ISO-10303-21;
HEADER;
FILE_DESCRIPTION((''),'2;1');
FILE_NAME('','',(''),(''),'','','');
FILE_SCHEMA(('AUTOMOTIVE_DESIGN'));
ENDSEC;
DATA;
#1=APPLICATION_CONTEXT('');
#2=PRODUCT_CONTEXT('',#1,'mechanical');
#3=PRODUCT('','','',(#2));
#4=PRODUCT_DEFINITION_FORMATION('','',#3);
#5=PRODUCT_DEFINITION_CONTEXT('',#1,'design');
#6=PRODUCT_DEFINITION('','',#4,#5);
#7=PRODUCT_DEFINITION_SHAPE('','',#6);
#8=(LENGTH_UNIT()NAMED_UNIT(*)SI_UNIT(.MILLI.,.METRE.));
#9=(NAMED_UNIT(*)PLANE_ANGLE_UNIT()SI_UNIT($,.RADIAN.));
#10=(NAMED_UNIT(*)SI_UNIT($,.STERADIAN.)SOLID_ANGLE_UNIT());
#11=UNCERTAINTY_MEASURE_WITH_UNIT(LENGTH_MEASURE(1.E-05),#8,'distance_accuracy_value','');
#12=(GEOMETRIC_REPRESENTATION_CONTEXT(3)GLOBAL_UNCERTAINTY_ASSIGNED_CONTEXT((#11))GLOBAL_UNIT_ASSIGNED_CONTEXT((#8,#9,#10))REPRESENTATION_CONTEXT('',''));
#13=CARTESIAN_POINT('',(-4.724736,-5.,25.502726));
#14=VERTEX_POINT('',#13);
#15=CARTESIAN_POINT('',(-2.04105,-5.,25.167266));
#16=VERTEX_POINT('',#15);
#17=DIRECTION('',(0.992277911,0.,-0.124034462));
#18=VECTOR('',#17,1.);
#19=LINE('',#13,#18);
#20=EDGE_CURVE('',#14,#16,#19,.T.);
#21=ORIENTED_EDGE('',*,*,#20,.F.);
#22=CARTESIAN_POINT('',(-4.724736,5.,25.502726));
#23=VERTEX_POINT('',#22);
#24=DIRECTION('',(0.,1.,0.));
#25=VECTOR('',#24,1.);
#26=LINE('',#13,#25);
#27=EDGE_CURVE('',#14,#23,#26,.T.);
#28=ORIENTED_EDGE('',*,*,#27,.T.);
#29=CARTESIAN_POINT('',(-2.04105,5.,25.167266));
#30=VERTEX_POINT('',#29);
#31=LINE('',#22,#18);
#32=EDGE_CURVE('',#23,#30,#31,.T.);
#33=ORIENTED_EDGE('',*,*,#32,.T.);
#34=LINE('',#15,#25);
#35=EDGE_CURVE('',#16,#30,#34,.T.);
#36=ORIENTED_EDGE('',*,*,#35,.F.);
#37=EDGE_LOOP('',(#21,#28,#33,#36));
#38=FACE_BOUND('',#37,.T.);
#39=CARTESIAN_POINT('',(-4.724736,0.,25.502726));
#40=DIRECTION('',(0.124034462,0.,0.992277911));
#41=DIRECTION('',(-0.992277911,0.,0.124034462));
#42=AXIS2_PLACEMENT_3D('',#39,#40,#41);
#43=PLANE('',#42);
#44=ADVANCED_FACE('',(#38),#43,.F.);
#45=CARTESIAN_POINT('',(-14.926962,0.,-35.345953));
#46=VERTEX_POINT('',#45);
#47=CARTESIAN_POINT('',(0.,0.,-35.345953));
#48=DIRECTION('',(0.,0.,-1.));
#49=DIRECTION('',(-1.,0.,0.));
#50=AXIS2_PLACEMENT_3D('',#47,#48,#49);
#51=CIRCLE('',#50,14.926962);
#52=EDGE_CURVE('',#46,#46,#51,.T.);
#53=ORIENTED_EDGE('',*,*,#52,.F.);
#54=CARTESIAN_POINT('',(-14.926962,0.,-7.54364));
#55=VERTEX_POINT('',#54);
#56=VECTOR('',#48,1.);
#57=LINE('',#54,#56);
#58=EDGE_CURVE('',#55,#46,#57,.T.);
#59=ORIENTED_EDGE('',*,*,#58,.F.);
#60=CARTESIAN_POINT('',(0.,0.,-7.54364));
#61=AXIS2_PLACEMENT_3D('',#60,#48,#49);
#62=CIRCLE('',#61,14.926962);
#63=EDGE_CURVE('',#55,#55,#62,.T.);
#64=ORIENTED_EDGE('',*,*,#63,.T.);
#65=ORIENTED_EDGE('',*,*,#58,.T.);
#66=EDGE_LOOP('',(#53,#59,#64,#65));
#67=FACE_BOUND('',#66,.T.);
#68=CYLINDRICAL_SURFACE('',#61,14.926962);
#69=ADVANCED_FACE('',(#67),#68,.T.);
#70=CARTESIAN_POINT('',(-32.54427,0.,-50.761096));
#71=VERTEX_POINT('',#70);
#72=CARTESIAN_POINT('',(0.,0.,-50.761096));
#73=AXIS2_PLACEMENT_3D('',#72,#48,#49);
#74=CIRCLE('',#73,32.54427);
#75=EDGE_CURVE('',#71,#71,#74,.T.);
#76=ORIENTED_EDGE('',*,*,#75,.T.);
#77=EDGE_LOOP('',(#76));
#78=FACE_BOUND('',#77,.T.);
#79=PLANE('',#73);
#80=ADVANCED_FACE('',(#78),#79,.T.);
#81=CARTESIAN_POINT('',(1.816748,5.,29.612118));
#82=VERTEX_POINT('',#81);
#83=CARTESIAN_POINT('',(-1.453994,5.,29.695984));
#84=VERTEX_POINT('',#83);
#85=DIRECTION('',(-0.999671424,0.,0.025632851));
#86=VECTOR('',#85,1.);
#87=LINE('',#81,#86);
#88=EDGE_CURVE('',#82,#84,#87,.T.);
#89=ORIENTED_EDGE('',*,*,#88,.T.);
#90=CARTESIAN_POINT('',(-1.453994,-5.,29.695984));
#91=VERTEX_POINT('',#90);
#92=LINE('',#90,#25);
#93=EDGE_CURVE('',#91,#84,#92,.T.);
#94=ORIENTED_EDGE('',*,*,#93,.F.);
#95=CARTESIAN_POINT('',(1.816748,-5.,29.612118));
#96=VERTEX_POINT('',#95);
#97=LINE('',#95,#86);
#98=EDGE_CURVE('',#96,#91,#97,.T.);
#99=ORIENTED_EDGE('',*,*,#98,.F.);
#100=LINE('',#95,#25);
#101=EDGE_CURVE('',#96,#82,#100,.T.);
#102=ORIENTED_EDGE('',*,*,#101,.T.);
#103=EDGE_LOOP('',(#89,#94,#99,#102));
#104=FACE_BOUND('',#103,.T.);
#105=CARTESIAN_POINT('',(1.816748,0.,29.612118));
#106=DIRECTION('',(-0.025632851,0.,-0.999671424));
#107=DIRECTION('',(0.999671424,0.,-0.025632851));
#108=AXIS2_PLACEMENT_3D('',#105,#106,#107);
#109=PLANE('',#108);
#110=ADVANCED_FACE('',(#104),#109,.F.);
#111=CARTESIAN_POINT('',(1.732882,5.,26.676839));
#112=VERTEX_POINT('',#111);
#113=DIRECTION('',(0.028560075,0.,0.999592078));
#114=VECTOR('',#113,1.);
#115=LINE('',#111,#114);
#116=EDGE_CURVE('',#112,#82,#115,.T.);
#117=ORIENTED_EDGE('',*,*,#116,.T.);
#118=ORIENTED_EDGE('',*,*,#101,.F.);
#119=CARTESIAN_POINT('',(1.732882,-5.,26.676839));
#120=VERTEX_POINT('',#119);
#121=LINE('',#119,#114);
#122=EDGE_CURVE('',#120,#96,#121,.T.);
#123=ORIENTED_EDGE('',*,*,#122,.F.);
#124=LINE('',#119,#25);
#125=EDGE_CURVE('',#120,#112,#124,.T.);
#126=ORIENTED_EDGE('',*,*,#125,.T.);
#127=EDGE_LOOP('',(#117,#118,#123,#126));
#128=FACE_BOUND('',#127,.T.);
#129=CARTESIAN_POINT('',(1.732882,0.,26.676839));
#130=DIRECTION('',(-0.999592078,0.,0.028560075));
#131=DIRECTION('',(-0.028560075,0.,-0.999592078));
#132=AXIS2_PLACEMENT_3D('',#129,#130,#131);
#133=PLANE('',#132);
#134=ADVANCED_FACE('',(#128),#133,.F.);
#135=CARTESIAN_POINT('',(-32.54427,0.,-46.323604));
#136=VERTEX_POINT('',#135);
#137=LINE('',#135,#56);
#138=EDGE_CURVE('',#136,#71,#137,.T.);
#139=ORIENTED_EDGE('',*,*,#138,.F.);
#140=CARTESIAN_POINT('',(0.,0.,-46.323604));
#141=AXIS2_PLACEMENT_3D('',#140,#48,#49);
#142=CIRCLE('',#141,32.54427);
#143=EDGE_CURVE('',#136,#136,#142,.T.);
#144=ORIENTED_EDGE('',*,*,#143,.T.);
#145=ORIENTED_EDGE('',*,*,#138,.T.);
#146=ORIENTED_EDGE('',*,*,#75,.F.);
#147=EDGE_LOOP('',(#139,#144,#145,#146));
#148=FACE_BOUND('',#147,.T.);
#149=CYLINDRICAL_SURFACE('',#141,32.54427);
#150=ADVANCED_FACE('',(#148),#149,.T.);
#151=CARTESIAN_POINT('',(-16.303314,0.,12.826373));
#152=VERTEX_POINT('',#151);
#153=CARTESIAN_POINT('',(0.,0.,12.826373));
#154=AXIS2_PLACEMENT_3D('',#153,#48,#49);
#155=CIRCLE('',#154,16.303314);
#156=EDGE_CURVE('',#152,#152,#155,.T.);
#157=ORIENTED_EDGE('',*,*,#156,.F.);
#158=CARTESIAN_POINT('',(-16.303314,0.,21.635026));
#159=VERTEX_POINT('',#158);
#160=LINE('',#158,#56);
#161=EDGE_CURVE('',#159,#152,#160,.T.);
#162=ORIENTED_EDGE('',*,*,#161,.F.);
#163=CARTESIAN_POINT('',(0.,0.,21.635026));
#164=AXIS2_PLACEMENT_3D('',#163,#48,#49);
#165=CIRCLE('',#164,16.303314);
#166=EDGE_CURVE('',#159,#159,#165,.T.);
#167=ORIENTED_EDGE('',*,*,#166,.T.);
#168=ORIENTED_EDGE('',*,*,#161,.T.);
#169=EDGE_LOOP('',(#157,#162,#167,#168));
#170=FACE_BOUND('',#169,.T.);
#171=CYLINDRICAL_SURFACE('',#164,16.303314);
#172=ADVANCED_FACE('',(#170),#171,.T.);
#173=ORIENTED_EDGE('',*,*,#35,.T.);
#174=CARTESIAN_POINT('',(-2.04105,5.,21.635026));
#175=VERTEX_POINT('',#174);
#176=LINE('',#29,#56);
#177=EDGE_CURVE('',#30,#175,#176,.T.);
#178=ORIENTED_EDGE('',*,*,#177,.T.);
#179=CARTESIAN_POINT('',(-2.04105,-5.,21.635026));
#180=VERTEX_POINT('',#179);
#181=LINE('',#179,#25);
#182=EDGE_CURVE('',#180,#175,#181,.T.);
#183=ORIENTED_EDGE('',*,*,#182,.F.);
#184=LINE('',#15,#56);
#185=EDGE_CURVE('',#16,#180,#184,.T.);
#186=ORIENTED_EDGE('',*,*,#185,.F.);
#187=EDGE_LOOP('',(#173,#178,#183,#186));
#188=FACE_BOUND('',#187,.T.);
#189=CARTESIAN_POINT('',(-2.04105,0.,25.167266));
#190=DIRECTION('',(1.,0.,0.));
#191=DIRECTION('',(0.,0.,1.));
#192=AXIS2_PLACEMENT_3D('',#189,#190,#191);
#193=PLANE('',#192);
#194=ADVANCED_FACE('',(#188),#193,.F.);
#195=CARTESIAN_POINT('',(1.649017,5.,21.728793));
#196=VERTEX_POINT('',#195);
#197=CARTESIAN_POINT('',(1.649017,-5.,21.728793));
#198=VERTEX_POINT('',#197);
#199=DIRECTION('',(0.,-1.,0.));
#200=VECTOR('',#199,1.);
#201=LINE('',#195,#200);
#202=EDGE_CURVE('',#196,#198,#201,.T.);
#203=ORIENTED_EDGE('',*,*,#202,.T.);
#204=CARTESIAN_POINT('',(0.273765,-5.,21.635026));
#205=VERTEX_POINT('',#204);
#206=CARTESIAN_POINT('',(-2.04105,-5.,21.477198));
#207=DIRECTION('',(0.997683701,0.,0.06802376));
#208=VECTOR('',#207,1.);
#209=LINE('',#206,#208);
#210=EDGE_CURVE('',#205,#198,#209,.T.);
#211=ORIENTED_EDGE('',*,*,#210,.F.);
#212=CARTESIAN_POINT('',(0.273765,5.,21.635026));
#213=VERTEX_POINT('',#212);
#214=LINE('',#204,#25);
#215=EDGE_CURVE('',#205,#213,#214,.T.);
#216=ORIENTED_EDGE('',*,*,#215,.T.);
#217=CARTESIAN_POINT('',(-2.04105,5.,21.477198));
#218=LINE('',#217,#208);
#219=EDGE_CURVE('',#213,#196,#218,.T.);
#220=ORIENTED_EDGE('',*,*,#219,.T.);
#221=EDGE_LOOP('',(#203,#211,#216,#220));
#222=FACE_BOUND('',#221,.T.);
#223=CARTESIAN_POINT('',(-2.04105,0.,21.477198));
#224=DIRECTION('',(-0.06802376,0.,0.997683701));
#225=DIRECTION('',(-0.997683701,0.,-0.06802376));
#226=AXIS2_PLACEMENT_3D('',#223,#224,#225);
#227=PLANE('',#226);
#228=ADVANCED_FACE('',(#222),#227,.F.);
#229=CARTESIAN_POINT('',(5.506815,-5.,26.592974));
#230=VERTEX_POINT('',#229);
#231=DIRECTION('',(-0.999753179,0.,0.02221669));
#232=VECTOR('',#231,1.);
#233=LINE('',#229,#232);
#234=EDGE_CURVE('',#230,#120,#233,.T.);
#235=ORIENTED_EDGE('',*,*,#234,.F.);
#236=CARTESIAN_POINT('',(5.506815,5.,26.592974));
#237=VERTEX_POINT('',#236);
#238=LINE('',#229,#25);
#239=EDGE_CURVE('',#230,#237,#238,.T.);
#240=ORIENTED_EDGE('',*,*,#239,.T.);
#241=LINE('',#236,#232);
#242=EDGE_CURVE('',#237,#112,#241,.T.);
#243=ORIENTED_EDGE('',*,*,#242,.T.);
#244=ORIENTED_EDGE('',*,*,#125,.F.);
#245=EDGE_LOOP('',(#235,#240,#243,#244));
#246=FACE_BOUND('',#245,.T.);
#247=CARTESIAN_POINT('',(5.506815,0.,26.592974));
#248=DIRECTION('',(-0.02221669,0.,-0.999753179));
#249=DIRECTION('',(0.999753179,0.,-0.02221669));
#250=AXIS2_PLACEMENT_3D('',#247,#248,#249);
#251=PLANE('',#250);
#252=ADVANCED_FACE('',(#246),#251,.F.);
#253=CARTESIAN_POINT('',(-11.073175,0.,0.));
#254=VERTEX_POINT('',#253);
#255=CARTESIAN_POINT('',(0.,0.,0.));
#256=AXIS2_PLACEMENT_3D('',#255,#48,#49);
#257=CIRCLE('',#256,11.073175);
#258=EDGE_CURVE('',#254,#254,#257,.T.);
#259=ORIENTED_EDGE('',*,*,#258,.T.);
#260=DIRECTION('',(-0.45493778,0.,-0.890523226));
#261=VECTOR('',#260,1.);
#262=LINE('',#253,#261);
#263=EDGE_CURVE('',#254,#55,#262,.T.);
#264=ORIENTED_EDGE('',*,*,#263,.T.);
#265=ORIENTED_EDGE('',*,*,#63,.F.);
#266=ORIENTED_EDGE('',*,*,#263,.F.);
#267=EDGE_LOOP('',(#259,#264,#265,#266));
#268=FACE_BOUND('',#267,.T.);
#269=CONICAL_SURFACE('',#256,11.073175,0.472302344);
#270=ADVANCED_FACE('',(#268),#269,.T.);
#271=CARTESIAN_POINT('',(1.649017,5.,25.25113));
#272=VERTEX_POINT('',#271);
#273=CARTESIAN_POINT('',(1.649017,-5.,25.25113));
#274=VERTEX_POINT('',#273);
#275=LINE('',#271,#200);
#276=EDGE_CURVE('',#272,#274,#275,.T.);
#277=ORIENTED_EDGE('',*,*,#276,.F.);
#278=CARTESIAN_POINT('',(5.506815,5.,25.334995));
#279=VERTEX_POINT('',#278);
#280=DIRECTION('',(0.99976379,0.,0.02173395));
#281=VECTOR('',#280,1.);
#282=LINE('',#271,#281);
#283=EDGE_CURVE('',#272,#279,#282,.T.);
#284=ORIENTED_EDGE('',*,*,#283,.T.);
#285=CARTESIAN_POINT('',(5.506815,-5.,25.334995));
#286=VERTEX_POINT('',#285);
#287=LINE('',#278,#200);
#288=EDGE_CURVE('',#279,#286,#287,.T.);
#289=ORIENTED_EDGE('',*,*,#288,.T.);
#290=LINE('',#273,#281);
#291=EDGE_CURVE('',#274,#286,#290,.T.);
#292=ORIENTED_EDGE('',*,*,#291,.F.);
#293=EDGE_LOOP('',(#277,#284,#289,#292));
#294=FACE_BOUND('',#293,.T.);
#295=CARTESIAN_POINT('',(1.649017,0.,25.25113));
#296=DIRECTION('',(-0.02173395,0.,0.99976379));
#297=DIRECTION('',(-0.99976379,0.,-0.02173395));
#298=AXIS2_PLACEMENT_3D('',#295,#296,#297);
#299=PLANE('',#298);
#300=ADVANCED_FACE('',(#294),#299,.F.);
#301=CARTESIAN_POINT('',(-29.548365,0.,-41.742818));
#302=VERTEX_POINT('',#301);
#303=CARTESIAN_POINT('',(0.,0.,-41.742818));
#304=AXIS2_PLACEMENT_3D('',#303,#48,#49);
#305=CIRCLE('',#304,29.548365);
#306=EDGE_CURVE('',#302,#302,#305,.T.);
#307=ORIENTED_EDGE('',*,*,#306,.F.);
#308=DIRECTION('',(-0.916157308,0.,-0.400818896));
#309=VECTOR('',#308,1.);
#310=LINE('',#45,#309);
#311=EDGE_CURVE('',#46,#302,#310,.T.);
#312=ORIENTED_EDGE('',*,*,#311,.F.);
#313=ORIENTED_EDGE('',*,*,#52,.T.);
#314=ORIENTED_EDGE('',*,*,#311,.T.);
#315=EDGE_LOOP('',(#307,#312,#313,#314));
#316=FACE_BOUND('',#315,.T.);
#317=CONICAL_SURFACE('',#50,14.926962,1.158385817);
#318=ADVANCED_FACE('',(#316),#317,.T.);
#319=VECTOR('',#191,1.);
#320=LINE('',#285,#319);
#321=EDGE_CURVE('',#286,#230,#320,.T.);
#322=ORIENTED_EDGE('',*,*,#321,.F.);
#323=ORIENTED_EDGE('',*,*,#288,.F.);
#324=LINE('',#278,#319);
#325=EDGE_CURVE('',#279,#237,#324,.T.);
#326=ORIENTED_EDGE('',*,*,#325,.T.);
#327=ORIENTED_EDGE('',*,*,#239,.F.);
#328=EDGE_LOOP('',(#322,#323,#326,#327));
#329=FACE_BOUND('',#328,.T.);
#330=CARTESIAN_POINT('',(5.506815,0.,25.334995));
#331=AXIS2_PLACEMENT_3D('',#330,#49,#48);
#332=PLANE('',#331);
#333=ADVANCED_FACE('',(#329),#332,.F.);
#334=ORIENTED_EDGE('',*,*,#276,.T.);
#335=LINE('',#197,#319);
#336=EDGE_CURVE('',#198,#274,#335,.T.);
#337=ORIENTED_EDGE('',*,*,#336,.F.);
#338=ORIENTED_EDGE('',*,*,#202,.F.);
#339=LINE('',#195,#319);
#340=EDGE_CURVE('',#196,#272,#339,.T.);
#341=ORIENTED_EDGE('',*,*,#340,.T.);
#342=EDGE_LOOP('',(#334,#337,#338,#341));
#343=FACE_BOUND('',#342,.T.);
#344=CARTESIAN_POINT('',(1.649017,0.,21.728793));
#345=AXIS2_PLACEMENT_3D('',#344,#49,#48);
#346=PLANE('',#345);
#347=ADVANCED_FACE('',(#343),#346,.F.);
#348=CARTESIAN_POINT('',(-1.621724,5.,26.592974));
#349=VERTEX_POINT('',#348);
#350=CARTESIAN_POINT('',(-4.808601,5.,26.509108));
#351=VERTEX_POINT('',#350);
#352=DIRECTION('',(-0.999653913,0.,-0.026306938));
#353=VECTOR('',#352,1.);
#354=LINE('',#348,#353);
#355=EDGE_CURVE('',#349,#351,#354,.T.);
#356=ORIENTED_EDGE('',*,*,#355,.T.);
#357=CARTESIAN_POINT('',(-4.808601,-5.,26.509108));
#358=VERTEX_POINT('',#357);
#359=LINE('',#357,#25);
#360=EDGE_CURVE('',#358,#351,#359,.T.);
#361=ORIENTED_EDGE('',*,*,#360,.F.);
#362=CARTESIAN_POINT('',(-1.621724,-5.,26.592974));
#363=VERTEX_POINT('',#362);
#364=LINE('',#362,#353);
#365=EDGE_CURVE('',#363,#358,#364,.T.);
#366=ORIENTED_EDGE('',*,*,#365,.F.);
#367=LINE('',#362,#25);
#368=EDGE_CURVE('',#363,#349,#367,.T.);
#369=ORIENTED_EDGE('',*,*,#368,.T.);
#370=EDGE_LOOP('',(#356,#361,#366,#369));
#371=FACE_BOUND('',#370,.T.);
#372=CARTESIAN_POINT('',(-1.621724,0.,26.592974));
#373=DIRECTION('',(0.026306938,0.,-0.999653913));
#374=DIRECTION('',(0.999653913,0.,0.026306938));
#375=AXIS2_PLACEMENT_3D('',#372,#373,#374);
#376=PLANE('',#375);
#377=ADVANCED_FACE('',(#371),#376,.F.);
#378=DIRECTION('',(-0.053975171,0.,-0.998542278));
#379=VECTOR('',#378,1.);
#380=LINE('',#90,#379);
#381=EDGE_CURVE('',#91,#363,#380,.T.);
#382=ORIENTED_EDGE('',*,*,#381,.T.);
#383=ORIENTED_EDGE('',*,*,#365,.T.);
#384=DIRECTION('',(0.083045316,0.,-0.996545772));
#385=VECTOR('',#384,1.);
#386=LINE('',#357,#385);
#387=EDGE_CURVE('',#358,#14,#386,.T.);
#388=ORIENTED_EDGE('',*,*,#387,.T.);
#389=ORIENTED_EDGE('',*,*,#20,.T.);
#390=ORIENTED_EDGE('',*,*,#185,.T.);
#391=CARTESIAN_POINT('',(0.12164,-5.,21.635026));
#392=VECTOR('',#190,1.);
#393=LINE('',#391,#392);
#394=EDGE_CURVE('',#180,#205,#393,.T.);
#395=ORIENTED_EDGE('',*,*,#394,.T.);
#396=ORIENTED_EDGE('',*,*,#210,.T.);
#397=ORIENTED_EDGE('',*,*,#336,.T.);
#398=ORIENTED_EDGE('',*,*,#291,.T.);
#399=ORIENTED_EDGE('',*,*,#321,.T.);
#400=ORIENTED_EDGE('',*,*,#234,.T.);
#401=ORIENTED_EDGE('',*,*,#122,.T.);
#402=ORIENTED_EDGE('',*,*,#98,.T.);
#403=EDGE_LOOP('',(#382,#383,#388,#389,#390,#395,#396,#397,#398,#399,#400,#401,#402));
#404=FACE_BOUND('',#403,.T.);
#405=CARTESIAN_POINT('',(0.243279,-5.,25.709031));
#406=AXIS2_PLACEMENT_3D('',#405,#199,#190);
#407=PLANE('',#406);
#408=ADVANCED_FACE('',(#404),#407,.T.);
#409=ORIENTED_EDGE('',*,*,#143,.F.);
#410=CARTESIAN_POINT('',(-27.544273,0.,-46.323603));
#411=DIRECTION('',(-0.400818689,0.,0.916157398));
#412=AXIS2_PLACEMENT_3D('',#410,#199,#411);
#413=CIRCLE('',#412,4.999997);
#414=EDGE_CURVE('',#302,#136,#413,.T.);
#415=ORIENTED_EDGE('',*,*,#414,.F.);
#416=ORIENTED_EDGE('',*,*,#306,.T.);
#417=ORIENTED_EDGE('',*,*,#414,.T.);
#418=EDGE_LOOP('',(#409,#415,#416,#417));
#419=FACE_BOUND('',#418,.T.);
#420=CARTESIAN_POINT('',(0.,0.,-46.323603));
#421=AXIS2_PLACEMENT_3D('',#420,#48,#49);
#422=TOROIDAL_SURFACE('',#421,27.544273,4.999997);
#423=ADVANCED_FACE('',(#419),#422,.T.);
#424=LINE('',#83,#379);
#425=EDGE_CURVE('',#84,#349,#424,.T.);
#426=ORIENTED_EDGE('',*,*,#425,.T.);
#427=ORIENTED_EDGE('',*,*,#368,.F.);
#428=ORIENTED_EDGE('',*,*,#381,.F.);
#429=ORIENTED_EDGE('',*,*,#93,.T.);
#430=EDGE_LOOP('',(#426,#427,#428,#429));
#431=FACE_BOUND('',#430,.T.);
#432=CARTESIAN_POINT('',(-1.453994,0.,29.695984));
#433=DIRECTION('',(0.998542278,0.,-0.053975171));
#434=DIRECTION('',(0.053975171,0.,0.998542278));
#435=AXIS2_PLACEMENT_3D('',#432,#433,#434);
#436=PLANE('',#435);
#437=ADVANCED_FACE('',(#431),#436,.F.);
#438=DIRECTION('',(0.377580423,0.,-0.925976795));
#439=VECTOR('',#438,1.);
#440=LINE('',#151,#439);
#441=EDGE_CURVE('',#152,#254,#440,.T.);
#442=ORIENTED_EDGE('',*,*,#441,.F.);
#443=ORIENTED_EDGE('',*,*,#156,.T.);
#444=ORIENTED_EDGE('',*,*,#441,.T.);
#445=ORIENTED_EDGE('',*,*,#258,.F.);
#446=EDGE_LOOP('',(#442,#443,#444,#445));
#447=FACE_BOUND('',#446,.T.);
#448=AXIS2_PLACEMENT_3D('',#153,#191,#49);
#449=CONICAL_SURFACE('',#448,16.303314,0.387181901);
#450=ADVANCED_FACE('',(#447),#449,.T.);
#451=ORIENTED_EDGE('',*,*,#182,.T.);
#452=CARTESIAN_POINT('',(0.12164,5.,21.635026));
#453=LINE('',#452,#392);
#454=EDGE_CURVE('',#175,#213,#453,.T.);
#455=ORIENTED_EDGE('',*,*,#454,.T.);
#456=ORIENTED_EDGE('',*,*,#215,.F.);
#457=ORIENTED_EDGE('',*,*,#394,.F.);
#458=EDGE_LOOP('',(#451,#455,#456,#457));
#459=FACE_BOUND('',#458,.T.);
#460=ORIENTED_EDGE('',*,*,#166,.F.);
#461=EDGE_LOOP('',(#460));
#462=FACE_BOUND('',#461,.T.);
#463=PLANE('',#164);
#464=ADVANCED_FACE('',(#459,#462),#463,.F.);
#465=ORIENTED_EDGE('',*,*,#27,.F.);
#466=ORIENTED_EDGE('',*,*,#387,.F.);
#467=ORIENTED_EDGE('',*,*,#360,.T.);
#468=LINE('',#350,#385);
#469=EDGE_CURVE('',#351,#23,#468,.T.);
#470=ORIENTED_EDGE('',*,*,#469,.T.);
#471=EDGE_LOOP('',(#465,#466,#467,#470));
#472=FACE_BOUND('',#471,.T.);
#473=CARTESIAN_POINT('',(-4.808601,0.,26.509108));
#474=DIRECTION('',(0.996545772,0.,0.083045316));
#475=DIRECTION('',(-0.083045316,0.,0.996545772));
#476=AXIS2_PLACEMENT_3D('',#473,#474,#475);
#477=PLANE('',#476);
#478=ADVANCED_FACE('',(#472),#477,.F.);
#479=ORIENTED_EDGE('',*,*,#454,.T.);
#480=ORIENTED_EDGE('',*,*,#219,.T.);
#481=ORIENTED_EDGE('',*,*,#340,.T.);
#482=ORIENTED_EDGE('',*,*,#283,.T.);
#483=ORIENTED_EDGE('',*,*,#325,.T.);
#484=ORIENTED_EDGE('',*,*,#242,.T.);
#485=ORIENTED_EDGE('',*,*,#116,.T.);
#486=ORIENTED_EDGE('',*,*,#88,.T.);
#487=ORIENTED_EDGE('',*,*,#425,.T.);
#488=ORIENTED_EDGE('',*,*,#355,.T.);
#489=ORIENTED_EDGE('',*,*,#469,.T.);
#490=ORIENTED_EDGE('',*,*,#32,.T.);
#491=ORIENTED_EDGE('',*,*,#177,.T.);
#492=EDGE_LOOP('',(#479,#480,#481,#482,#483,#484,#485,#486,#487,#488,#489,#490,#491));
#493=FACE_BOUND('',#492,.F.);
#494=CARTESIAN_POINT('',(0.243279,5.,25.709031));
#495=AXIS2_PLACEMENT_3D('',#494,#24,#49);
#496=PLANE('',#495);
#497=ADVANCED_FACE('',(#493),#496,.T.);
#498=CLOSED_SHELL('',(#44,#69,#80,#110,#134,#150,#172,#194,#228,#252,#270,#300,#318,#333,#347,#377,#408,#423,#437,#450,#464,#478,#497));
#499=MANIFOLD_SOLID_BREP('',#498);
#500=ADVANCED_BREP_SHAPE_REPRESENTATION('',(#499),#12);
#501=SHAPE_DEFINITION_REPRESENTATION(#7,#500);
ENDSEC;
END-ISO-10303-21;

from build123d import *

# Parameters (mm, degrees)
F3_DEPTH = 5


with BuildPart() as f1:
    # F0 (on Front) → F1 (revolve)
    with BuildSketch(Plane.XZ):
        with BuildLine():
            Line((-32.54427, -50.761096), (0, -50.761096))
            Line((0, -50.761096), (0, 21.635026))
            Line((0, 21.635026), (-16.303314, 21.635026))
            Line((-16.303314, 21.635026), (-16.303314, 12.826373))
            Line((-16.303314, 12.826373), (-11.073175, 0))
            Line((-11.073175, 0), (-14.926962, -7.54364))
            Line((-14.926962, -7.54364), (-14.926962, -35.345953))
            Line((-14.926962, -35.345953), (-29.548365, -41.742818))
            ThreePointArc((-29.548365, -41.742818), (-31.728794, -43.586861), (-32.54427, -46.323604))
            Line((-32.54427, -46.323604), (-32.54427, -50.761096))
        make_face()
    revolve(axis=Axis((0, 0, -14.563035), (0, 0, -1)))

    # F2 (on Front) → F3 (join)
    with BuildSketch(Plane.XZ):
        Polygon((-2.04105, 21.477198), (1.649017, 21.728793), (1.649017, 25.25113), (5.506815, 25.334995), (5.506815, 26.592974), (1.732882, 26.676839), (1.816748, 29.612118), (-1.453994, 29.695984), (-1.621724, 26.592974), (-4.808601, 26.509108), (-4.724736, 25.502726), (-2.04105, 25.167266), align=None)
    extrude(amount=F3_DEPTH)

    # F4: F1 across face


with BuildPart() as f1_1:
    add(f1.part)
    add(f1.part.mirror(Plane(origin=(0.130619, 0, 25.64342), x_dir=(1, 0, 0), z_dir=(0, 1, 0))))


solid = f1_1.part
